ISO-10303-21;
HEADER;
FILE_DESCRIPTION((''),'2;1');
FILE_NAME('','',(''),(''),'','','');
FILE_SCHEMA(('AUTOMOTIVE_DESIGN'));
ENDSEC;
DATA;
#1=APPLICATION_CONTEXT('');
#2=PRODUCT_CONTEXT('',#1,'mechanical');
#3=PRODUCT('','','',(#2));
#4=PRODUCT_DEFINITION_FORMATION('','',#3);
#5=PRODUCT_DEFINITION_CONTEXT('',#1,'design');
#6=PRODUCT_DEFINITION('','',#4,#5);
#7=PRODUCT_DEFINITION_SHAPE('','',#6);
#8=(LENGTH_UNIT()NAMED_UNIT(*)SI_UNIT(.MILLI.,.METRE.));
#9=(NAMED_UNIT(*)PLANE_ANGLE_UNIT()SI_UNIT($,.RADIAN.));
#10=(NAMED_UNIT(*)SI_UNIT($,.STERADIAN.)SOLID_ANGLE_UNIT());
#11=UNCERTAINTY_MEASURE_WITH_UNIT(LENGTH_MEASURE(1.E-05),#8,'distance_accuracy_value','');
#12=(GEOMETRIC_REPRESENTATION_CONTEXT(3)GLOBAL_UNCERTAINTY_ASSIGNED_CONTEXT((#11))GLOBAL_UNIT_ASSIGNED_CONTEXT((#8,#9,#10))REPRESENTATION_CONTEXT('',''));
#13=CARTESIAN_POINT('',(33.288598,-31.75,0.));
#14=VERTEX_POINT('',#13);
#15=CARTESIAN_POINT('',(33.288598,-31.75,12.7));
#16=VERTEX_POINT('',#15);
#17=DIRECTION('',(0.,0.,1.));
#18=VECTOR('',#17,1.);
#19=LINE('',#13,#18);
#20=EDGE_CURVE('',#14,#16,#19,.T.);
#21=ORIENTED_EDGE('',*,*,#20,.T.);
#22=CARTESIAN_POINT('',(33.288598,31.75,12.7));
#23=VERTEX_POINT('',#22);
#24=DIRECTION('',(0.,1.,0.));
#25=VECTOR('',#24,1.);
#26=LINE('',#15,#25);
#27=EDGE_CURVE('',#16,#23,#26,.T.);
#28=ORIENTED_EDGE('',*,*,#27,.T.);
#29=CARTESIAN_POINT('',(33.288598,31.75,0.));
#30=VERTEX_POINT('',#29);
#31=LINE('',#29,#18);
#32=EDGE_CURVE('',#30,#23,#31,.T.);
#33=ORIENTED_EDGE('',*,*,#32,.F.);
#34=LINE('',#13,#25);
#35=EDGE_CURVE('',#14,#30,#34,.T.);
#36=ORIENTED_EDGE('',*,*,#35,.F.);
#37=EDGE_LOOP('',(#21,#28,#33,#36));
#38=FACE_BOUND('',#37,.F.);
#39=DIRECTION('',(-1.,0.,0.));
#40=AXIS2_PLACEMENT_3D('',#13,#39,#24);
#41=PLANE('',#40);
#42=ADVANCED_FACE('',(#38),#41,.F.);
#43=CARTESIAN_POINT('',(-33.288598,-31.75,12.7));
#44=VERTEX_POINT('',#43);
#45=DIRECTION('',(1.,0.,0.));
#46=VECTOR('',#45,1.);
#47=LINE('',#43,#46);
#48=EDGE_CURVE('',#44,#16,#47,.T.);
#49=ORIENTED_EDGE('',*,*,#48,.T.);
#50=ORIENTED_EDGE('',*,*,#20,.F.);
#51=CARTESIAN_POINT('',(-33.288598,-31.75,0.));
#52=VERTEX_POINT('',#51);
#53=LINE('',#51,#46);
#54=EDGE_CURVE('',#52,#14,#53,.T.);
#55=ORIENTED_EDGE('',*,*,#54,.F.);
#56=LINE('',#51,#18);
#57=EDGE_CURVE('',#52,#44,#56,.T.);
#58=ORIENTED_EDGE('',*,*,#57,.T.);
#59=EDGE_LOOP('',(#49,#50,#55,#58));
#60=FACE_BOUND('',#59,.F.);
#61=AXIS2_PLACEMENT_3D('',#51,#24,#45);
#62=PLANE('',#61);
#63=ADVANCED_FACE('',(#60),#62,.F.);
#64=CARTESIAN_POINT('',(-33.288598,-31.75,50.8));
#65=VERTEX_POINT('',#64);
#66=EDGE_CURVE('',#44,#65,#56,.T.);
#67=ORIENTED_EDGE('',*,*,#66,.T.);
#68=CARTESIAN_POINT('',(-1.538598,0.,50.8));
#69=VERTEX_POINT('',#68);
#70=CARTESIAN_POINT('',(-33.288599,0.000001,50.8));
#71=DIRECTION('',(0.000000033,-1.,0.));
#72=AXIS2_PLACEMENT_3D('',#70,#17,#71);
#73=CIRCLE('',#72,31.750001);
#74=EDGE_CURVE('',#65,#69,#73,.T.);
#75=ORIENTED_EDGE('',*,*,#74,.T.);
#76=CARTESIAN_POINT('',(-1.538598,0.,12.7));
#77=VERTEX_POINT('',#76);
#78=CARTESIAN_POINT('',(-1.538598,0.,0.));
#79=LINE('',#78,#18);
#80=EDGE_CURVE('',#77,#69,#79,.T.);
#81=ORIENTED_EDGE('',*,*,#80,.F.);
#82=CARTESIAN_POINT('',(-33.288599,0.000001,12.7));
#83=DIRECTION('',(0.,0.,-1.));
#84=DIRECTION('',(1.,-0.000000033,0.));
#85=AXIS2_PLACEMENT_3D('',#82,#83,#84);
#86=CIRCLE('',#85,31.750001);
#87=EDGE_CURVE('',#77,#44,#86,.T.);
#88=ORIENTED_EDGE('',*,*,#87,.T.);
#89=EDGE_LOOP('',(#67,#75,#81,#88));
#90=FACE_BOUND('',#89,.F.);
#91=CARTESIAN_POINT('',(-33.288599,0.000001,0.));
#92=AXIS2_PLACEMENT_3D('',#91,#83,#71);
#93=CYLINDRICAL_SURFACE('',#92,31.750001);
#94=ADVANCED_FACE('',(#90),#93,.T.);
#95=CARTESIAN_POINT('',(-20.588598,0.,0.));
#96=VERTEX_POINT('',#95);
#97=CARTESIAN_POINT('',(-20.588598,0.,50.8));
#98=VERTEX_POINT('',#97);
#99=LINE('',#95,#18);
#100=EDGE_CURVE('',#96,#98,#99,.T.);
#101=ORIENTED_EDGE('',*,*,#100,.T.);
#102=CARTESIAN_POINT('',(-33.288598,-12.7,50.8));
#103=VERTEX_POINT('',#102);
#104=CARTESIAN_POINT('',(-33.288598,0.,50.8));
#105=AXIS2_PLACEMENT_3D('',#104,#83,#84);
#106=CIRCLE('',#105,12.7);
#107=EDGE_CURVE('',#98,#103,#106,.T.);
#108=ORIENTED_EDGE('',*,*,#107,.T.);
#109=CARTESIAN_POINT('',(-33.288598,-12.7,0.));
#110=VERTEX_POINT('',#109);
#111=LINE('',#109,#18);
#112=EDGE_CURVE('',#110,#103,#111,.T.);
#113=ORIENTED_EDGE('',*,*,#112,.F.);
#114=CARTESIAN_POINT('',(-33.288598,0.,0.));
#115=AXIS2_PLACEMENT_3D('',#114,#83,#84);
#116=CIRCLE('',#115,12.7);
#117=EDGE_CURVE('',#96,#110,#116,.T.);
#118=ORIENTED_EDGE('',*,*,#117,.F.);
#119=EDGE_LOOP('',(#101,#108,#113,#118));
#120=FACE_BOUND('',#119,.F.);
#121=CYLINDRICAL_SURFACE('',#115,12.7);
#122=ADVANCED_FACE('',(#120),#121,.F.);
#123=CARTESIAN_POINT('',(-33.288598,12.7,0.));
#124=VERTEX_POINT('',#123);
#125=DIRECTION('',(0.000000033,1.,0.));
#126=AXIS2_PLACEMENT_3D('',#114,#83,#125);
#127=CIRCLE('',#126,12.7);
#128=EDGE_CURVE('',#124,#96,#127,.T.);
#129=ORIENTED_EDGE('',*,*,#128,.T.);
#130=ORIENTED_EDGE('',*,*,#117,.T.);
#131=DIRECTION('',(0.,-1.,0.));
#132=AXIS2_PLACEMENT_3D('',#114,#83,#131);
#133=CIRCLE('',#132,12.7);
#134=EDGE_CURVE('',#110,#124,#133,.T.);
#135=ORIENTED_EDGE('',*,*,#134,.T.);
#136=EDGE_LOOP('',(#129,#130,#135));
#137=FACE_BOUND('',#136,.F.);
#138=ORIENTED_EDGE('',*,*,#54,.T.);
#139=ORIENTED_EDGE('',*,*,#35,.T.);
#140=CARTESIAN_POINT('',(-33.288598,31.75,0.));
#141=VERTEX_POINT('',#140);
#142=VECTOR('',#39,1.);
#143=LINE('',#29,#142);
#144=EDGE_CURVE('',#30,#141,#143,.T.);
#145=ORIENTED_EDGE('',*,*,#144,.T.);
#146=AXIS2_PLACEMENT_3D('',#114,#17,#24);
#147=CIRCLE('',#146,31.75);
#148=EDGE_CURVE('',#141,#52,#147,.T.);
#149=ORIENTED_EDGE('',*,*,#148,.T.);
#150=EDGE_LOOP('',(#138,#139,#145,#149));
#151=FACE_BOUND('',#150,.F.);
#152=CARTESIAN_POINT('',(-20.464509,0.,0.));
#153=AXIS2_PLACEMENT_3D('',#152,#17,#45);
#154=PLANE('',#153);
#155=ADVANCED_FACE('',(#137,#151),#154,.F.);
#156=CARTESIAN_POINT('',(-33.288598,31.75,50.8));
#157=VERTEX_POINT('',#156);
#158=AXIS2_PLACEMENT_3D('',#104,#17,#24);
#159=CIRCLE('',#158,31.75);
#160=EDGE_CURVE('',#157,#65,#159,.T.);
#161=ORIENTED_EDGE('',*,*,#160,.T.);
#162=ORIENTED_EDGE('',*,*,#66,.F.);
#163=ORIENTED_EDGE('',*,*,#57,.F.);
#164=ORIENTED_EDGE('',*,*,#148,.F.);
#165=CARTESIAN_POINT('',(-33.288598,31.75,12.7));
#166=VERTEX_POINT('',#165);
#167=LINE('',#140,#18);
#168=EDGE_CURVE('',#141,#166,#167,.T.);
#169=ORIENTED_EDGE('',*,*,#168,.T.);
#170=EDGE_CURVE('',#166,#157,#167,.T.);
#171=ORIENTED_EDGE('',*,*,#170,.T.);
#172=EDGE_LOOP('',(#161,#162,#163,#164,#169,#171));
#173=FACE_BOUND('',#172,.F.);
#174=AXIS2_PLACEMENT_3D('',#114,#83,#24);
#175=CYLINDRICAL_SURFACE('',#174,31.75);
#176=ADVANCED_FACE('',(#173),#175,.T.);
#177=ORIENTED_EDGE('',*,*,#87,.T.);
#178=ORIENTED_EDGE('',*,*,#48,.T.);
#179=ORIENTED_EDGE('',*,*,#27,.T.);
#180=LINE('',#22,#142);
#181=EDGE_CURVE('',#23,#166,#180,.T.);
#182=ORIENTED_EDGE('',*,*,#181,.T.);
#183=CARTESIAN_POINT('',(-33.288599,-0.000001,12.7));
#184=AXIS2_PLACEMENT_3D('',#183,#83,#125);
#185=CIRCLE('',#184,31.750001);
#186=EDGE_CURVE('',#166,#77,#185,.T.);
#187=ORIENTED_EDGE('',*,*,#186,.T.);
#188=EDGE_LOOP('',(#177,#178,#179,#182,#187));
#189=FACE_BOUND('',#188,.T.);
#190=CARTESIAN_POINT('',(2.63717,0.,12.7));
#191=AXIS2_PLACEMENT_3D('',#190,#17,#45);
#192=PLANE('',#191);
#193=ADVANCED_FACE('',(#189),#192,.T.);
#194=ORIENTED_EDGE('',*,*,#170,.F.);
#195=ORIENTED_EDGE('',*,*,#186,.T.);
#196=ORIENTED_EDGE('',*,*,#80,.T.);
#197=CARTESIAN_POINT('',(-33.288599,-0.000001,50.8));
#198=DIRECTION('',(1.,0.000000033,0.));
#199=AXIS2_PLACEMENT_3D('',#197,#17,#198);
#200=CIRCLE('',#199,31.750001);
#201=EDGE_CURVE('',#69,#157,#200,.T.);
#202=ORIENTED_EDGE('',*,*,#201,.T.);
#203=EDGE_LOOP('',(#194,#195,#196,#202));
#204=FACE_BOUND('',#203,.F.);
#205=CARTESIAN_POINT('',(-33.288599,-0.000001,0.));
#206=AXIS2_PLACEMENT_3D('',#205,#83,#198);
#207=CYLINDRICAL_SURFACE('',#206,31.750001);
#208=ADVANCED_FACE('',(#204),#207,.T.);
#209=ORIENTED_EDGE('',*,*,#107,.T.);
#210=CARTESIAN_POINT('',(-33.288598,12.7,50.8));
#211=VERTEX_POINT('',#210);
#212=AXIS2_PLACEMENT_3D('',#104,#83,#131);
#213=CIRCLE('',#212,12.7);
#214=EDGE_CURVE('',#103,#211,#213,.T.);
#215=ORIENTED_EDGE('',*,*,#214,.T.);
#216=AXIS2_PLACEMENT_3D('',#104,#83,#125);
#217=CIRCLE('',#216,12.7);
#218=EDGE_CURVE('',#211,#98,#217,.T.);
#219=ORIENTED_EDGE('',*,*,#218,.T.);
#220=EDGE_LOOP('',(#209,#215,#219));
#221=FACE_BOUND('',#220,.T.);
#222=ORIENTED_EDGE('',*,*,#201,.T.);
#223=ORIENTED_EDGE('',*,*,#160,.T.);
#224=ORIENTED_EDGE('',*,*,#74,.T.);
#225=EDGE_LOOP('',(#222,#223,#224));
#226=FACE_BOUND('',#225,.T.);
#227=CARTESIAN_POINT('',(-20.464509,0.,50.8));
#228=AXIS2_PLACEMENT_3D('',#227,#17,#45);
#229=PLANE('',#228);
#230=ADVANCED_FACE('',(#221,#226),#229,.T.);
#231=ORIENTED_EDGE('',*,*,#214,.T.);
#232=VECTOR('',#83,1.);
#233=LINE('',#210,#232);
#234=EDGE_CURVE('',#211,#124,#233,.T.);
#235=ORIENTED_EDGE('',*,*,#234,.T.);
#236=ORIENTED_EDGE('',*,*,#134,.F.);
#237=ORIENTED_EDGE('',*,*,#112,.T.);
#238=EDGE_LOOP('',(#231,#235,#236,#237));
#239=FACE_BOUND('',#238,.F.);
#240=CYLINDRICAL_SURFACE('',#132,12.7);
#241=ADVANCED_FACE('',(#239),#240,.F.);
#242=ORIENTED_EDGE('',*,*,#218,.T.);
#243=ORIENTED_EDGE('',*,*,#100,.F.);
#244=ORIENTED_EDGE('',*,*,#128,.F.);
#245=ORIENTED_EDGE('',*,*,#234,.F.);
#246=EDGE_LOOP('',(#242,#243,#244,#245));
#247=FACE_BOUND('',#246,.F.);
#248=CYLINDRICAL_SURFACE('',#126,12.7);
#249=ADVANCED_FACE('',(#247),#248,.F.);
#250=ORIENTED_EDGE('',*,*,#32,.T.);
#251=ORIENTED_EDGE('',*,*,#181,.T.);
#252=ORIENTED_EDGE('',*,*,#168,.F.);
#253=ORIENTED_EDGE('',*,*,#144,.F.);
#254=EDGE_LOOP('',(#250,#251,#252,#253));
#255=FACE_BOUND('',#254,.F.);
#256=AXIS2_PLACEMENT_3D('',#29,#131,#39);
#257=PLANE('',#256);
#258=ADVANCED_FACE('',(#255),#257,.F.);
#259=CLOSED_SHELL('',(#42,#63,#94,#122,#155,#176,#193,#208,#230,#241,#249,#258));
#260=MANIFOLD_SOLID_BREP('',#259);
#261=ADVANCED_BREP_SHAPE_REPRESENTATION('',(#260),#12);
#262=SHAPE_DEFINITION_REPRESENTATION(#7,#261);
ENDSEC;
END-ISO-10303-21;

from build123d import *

# Parameters (mm, degrees)
F1_DEPTH = 12.7
F2_DEPTH = 50.8


with BuildPart() as f1:
    # F0 (on Top) → F1 (new body)
    with BuildSketch(Plane.XY):
        with BuildLine():
            ThreePointArc((-1.538598, 0), (-10.837958, -22.45064), (-33.288598, -31.75))
            Line((-33.288598, -31.75), (33.288598, -31.75))
            Line((33.288598, -31.75), (33.288598, 31.75))
            Line((33.288598, 31.75), (-33.288598, 31.75))
            ThreePointArc((-33.288598, 31.75), (-10.837958, 22.45064), (-1.538598, 0))
        make_face()
        with BuildLine():
            ThreePointArc((-33.288598, 31.75), (-65.038598, 0), (-33.288598, -31.75))
            Line((-33.288598, -31.75), (-33.288598, -12.7))
            ThreePointArc((-33.288598, -12.7), (-45.988598, 0), (-33.288598, 12.7))
            Line((-33.288598, 12.7), (-33.288598, 31.75))
        make_face()
    extrude(amount=F1_DEPTH)

    # F0 (on Top) → F2 (join)
    with BuildSketch(Plane.XY):
        with BuildLine():
            Line((-33.288598, -12.7), (-33.288598, -31.75))
            ThreePointArc((-33.288598, -31.75), (-10.837958, -22.45064), (-1.538598, 0))
            ThreePointArc((-1.538598, 0), (-10.837958, 22.45064), (-33.288598, 31.75))
            Line((-33.288598, 31.75), (-33.288598, 12.7))
            ThreePointArc((-33.288598, 12.7), (-24.308342, 8.980256), (-20.588598, 0))
            ThreePointArc((-20.588598, 0), (-24.308342, -8.980256), (-33.288598, -12.7))
        make_face()
        with BuildLine():
            ThreePointArc((-33.288598, 31.75), (-65.038598, 0), (-33.288598, -31.75))
            Line((-33.288598, -31.75), (-33.288598, -12.7))
            ThreePointArc((-33.288598, -12.7), (-45.988598, 0), (-33.288598, 12.7))
            Line((-33.288598, 12.7), (-33.288598, 31.75))
        make_face()
    extrude(amount=F2_DEPTH)


solid = f1.part
